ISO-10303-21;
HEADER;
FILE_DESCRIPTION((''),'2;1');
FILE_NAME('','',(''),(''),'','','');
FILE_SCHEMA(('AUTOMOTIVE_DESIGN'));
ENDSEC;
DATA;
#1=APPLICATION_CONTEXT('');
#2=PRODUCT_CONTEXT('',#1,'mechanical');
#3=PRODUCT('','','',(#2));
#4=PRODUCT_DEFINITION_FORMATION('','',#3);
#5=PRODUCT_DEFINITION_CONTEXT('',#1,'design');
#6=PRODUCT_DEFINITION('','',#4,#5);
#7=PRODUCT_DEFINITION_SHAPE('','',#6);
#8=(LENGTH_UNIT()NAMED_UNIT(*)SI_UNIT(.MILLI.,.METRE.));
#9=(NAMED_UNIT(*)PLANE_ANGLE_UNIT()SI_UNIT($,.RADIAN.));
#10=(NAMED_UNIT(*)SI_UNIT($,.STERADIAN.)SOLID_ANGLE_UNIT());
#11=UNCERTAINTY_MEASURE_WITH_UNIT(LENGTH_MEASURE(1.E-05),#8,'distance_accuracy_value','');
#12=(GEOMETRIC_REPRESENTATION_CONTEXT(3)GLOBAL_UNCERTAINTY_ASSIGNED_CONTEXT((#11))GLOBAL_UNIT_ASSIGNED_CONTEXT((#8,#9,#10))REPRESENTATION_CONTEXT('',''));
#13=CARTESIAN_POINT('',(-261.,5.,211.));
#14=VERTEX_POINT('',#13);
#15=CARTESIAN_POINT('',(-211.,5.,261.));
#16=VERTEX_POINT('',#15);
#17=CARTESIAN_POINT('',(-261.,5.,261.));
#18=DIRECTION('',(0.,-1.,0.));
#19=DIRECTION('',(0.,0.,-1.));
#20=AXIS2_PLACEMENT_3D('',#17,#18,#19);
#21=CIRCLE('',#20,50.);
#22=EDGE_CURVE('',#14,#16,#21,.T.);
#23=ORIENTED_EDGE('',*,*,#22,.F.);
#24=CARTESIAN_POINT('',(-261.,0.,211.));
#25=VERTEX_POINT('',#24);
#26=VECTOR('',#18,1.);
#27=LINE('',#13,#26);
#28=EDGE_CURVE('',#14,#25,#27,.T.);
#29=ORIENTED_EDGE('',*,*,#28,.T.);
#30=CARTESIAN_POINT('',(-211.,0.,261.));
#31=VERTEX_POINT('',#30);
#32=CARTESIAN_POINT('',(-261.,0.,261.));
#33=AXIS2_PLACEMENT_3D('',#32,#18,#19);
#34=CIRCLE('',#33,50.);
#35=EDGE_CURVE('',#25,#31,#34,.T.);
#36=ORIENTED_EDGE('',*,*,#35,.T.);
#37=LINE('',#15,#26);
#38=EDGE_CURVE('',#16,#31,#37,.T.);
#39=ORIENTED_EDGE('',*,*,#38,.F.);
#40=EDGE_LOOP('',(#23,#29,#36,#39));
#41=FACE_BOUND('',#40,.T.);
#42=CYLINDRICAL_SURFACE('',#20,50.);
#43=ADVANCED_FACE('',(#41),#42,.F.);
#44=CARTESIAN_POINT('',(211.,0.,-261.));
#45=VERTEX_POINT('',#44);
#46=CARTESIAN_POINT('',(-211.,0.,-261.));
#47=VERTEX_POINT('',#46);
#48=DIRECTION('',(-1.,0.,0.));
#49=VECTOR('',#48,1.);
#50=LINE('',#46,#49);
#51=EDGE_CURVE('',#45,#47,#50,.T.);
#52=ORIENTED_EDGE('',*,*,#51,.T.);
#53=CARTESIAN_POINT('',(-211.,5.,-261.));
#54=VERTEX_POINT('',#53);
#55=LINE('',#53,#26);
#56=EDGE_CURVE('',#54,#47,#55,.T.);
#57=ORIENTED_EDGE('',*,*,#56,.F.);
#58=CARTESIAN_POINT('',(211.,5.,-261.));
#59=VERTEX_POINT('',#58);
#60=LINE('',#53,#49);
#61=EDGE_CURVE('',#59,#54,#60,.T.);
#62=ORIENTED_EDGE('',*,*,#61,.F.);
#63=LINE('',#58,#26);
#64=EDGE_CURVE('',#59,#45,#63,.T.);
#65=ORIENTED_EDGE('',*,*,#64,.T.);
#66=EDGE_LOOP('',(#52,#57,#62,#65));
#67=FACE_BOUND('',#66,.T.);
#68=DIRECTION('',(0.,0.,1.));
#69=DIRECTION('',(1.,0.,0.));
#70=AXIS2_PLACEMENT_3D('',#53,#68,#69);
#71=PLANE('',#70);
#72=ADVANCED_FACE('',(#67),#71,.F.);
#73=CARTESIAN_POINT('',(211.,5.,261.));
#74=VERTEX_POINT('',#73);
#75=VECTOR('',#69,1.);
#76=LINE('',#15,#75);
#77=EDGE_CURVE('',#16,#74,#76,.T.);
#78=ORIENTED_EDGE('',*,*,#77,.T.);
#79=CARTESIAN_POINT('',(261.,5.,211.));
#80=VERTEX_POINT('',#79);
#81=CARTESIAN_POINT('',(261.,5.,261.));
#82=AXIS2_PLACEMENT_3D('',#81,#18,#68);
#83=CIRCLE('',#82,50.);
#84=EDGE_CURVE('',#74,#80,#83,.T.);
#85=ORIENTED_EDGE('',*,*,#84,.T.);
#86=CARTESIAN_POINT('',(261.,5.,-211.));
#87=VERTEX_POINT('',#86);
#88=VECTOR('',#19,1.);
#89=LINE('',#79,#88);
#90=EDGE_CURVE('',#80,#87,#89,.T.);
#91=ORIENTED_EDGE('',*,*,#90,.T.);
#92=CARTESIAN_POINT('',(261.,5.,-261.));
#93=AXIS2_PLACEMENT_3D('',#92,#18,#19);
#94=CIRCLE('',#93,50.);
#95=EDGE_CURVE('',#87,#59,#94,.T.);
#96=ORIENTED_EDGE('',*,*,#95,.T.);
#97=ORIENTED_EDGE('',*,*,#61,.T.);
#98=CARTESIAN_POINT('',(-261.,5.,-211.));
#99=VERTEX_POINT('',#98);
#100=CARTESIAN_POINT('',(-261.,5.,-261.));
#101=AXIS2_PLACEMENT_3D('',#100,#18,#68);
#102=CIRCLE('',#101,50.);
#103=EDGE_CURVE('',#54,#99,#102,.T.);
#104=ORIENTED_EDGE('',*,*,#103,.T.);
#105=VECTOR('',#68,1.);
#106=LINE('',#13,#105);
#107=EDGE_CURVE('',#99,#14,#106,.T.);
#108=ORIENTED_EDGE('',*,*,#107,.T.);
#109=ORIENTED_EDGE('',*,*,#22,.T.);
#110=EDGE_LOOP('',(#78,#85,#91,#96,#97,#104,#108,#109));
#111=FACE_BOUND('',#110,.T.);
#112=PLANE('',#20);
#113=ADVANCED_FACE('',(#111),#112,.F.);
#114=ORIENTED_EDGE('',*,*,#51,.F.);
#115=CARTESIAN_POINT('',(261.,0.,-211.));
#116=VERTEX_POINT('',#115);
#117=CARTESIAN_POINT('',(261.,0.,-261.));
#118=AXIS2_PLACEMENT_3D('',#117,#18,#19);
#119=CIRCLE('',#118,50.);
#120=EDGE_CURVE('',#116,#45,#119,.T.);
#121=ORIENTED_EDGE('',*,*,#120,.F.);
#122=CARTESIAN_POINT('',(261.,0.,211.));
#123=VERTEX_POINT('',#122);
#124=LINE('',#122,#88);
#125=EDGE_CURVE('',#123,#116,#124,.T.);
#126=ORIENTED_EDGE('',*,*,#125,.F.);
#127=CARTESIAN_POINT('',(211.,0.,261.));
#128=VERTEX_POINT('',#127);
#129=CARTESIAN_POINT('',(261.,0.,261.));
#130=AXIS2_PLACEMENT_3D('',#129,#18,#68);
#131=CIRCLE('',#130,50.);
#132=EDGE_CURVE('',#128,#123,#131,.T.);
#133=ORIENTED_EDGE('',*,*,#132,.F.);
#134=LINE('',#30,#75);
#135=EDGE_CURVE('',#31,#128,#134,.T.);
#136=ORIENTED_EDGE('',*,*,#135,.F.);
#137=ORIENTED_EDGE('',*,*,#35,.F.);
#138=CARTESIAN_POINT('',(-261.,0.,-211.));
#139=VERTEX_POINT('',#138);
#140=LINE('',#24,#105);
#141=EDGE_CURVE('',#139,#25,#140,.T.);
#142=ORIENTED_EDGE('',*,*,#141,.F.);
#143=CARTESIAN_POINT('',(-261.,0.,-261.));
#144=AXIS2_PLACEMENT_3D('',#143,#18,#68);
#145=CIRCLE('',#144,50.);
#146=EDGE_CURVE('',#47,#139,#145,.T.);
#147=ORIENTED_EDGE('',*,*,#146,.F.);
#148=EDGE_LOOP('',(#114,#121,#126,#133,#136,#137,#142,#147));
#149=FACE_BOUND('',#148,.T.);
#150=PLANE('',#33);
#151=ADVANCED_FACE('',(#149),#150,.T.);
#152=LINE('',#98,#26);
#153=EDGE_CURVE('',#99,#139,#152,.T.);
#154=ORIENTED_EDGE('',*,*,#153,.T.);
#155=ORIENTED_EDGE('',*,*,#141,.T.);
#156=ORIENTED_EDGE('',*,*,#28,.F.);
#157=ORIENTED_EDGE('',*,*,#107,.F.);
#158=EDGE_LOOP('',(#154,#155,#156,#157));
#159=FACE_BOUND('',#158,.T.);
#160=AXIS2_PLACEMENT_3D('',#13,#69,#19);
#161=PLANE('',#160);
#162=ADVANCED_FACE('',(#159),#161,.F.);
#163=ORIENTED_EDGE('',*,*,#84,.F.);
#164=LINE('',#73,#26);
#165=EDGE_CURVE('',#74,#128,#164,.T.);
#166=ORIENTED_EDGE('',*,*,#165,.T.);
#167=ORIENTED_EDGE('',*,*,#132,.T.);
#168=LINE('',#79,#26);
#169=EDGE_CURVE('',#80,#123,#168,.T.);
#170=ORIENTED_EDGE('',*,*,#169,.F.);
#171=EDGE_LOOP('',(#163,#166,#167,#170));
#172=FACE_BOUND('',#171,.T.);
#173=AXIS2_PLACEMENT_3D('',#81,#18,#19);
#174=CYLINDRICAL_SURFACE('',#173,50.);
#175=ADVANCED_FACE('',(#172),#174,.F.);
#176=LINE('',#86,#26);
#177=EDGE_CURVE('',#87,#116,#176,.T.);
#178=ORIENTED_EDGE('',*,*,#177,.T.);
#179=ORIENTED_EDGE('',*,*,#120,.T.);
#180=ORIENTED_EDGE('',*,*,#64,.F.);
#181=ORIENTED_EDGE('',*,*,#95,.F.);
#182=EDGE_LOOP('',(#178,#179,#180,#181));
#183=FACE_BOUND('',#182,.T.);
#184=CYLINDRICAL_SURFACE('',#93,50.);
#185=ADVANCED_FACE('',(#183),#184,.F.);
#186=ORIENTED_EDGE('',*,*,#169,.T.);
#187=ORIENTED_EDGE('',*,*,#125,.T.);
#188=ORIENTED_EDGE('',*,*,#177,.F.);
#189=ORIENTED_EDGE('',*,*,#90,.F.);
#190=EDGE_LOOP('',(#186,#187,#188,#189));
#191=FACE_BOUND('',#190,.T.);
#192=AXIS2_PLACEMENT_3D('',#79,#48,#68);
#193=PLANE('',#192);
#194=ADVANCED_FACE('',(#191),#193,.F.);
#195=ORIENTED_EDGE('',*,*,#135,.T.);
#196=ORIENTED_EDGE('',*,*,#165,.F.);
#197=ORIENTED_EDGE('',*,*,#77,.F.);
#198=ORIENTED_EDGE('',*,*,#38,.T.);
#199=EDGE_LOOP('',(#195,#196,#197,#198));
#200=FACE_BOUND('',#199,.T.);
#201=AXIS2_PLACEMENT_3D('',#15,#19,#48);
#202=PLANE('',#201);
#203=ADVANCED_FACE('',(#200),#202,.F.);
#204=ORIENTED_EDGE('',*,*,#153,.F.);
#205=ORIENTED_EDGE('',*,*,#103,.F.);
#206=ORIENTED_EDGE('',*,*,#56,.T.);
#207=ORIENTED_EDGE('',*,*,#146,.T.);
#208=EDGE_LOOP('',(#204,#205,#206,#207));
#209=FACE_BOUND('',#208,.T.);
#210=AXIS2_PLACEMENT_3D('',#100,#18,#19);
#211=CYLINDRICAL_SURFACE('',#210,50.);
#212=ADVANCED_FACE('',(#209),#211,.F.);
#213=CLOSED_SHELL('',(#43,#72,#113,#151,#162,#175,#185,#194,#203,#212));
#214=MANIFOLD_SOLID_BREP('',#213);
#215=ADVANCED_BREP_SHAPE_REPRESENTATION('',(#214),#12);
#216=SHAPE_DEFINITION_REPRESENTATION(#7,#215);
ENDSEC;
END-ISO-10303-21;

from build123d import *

# Parameters (mm, degrees)
EXTRUDE_1_DEPTH = 5


with BuildPart() as part:
    # 草图2 → 凸台-拉伸1 (new body)
    with BuildSketch(Plane(origin=(0, 0, 0), x_dir=(1, 0, 0), z_dir=(0, 1, 0))):
        with BuildLine():
            Line((-261, -211), (-261, 211))
            ThreePointArc((-261, 211), (-225.644660941, 225.644660941), (-211, 261))
            Line((-211, 261), (211, 261))
            ThreePointArc((211, 261), (225.644660941, 225.644660941), (261, 211))
            Line((261, 211), (261, -211))
            ThreePointArc((261, -211), (225.644660941, -225.644660941), (211, -261))
            Line((211, -261), (-211, -261))
            ThreePointArc((-211, -261), (-225.644660941, -225.644660941), (-261, -211))
        make_face()
    extrude(amount=EXTRUDE_1_DEPTH)


solid = part.part
